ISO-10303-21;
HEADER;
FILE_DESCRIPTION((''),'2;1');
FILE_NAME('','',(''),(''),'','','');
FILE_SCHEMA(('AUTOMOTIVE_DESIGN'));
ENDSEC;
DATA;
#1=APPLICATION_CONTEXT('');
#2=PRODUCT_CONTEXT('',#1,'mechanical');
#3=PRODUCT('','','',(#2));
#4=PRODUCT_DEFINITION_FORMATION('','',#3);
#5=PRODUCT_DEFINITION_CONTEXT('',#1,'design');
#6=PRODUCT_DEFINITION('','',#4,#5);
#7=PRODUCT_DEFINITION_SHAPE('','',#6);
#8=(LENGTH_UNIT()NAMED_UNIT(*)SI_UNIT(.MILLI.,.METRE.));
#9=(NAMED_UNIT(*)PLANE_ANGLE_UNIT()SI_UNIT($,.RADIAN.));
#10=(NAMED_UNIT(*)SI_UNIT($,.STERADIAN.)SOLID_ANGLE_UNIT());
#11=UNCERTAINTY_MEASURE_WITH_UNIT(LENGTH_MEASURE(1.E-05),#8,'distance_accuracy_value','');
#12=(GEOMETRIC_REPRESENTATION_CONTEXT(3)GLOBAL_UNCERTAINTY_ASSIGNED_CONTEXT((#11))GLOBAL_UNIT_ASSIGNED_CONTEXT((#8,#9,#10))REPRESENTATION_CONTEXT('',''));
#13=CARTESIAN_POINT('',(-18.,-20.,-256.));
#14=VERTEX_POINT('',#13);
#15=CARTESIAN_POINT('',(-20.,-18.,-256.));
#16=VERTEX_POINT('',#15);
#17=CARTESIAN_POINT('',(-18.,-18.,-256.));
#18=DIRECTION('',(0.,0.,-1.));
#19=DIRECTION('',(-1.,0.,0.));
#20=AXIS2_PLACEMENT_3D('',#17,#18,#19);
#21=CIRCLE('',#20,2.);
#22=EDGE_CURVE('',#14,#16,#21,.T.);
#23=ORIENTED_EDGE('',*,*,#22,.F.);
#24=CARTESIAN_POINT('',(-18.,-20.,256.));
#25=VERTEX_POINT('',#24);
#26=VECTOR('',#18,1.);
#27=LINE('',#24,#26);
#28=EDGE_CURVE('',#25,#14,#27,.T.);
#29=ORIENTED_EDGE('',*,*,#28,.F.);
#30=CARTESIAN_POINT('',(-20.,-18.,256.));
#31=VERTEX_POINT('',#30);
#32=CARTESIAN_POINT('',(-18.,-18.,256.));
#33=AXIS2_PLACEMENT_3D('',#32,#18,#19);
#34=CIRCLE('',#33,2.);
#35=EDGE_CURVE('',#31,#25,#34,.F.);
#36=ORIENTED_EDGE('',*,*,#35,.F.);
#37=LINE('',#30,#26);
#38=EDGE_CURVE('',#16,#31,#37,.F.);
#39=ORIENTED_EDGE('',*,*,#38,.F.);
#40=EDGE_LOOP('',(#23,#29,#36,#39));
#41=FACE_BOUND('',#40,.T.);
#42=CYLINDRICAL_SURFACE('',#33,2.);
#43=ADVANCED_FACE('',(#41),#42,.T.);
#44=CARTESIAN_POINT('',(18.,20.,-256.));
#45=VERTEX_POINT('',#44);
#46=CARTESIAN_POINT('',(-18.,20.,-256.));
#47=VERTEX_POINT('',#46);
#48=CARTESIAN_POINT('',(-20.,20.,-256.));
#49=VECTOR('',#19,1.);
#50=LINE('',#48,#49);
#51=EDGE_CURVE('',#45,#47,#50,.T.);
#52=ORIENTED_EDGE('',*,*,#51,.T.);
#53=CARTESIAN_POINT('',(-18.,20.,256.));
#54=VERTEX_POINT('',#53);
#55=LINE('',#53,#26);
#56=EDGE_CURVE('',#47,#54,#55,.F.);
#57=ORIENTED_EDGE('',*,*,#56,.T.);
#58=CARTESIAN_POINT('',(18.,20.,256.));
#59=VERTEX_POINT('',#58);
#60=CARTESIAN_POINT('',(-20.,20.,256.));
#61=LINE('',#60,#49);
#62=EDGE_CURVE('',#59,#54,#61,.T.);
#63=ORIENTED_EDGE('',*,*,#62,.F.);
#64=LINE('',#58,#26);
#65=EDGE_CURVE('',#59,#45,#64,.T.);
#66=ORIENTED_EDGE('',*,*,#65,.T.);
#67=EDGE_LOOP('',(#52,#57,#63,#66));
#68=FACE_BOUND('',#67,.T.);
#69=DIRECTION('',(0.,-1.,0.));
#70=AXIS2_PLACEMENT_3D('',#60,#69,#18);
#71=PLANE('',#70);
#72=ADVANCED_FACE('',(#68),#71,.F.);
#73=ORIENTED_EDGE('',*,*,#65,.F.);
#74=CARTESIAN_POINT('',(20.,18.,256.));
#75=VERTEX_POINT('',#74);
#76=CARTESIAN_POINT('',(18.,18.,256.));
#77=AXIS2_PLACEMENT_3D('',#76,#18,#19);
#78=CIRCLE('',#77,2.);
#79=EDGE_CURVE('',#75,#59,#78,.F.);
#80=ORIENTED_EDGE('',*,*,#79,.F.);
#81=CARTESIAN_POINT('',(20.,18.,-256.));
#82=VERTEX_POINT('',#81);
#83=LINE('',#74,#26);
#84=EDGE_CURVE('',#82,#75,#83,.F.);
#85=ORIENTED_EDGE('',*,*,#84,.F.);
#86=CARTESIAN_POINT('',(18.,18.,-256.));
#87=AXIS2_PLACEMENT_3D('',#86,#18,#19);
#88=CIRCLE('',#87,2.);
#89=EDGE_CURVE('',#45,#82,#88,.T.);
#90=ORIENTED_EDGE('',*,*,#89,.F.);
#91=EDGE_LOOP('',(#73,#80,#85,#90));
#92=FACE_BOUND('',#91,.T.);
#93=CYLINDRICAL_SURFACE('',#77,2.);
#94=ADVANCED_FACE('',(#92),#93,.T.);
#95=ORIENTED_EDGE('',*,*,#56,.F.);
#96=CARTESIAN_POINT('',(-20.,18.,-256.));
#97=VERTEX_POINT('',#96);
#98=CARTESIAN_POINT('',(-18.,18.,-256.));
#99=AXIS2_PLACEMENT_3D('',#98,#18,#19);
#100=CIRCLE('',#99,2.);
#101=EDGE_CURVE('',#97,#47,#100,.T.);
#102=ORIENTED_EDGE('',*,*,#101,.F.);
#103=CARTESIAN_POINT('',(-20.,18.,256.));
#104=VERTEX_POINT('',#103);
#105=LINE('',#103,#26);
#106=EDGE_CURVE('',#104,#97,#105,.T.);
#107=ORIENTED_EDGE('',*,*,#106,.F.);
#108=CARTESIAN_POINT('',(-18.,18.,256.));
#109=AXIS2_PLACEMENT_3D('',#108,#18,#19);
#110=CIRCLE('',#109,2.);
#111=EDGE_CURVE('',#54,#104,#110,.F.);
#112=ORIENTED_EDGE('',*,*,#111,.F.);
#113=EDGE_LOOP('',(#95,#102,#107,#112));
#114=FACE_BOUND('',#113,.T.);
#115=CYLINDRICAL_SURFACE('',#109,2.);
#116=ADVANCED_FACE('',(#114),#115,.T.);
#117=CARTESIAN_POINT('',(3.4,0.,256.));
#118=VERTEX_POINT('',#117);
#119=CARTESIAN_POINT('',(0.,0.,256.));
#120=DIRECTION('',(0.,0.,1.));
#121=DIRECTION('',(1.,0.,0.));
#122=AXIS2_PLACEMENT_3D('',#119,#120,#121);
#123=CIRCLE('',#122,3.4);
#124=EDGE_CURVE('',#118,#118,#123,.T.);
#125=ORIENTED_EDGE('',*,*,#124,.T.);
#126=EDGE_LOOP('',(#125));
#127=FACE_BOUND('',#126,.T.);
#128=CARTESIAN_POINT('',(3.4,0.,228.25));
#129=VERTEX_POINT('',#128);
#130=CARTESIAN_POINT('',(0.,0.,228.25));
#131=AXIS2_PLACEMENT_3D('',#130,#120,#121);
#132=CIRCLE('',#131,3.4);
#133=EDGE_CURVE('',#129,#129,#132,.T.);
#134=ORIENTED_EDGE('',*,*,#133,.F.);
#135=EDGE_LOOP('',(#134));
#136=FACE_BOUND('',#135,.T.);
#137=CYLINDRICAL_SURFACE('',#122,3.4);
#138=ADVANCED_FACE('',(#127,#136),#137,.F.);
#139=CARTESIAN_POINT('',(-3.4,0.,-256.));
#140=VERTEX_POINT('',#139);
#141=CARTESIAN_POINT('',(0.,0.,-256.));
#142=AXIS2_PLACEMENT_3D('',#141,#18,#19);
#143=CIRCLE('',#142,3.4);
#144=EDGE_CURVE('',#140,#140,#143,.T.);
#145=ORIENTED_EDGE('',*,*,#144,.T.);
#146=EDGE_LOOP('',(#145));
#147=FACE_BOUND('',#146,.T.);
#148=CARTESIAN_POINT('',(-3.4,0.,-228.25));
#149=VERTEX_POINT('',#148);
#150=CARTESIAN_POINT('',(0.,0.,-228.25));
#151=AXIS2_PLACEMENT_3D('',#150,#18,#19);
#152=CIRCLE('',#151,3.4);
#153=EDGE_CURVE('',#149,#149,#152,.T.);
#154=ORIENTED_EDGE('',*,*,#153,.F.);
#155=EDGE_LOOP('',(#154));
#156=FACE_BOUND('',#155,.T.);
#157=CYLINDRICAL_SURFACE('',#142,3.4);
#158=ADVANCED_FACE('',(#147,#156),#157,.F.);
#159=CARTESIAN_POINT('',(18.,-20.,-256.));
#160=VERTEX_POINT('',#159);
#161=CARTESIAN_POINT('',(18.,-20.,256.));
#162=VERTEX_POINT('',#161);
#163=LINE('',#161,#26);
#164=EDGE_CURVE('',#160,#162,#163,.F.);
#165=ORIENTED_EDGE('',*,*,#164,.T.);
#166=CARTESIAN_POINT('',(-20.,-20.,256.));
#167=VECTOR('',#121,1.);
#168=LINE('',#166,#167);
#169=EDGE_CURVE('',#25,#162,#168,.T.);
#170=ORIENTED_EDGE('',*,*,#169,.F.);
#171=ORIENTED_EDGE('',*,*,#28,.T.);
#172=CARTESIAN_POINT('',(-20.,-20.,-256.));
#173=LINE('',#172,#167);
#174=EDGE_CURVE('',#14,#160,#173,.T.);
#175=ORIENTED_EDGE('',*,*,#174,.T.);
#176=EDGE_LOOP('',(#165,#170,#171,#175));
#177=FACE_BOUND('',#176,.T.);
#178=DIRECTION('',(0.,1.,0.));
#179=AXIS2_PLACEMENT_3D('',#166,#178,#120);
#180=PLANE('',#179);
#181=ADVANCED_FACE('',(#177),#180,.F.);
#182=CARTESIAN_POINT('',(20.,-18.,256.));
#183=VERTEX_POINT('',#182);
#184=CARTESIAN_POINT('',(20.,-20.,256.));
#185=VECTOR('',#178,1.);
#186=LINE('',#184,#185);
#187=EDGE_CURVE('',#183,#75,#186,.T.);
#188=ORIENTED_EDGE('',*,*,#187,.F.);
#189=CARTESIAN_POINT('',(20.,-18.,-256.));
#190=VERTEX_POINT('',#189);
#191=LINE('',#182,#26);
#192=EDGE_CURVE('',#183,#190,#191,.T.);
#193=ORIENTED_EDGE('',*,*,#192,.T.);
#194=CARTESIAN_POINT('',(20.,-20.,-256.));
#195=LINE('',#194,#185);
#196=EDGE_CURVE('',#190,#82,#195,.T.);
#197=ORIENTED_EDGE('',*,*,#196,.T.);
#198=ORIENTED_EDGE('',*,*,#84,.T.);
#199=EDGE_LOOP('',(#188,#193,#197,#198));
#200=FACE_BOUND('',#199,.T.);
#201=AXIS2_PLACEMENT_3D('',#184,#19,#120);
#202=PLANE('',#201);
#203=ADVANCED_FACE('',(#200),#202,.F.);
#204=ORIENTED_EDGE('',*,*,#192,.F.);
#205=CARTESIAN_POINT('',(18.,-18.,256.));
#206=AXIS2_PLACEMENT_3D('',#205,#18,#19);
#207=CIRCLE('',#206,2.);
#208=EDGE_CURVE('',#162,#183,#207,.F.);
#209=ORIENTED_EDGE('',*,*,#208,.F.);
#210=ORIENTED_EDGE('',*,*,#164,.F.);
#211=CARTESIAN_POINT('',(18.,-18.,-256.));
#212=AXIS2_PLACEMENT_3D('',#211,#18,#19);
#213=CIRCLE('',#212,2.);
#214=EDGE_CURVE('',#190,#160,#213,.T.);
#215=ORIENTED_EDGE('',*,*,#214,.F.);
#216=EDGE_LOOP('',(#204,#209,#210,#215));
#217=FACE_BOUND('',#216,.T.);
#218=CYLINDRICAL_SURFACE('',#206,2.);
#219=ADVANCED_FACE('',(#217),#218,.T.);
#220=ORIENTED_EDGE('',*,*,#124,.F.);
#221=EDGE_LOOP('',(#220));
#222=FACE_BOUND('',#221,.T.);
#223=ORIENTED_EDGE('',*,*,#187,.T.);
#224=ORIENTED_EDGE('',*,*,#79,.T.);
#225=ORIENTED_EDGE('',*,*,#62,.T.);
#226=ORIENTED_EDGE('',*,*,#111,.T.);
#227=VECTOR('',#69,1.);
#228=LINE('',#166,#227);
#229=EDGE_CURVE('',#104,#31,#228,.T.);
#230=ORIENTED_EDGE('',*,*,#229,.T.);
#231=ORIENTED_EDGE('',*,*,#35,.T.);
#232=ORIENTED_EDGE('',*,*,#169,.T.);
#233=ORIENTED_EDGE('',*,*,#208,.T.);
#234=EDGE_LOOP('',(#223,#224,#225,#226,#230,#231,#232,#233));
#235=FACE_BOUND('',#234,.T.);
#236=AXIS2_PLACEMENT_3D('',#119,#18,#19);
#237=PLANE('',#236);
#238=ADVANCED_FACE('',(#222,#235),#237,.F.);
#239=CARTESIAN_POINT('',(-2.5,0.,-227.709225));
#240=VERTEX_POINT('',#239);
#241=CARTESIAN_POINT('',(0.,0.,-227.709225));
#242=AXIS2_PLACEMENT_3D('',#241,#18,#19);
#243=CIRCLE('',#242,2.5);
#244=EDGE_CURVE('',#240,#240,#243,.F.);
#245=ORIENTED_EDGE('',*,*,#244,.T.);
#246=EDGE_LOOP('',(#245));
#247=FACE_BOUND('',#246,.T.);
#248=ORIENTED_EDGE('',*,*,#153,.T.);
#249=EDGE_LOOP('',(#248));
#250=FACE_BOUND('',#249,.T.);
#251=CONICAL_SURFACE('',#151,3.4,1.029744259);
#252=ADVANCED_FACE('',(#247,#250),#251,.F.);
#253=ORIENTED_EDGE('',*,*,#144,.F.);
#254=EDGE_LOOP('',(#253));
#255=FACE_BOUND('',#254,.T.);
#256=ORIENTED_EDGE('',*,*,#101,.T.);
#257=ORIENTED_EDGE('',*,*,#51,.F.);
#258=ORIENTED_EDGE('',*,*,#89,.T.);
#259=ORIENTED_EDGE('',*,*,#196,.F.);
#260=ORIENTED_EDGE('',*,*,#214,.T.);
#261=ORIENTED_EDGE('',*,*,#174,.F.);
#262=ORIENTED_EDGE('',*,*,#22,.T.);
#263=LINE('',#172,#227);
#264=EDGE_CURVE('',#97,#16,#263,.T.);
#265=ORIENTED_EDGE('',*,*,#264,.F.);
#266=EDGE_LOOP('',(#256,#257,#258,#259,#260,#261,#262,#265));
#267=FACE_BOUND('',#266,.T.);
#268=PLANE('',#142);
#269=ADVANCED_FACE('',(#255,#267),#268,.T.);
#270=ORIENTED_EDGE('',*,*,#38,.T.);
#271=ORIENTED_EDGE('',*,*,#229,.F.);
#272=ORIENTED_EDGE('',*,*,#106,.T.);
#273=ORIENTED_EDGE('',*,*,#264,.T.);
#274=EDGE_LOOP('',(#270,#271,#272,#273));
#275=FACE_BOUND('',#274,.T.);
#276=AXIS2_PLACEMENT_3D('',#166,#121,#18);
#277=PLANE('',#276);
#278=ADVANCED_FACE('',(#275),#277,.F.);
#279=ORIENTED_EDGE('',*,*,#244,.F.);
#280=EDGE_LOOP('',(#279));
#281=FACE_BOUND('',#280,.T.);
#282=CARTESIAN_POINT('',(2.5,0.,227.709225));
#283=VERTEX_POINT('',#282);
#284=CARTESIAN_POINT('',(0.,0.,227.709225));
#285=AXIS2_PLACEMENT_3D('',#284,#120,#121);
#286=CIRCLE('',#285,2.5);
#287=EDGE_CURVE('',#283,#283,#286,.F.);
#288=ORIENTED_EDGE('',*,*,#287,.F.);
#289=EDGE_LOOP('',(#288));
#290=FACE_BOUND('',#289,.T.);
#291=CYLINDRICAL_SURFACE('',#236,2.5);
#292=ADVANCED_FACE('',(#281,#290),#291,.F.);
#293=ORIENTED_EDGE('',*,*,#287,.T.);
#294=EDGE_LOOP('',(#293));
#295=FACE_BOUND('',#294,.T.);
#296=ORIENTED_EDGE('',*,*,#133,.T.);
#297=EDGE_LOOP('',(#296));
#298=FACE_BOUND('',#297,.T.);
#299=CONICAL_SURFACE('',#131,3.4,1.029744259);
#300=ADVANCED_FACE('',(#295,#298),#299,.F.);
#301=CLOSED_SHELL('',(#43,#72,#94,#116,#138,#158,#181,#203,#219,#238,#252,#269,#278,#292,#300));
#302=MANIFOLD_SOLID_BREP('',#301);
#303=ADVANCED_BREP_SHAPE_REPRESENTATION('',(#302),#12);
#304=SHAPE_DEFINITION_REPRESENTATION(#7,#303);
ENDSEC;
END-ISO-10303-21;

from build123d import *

# Parameters (mm, degrees)
SKETCH1_W           = 40
SKETCH1_H           = 40
SKETCH1_R           = 2.5
BOSS_EXTRUDE1_DEPTH = 256
FILLET1_R           = 2


with BuildPart() as part:
    # Sketch1 → Boss-Extrude1 (new, symmetric)
    with BuildSketch(Plane.XY):
        Rectangle(SKETCH1_W, SKETCH1_H)
        Circle(SKETCH1_R, mode=Mode.SUBTRACT)
    extrude(amount=BOSS_EXTRUDE1_DEPTH, both=True)

    # Fillet1
    fillet1_edges = [part.edges().sort_by_distance(p)[0] for p in [
        (20, -20, 0),
        (-20, -20, 0),
        (-20, 20, 0),
        (20, 20, 0),
    ]]
    fillet(fillet1_edges, radius=FILLET1_R)

    # Sketch9 → M8 Tapped Hole1 (revolve, cut)
    with BuildSketch(Plane(origin=(0, 0, 256), x_dir=(0, -1, 0), z_dir=(1, 0, 0))):
        Polygon((0, 0), (0, 29.792926105), (3.4, 27.75), (3.4, 0), align=None)
    m8_tapped_hole1 = revolve(axis=Axis((0, 0, 262.35), (0, 0, -1)), mode=Mode.SUBTRACT)

    # Mirror1: M8 Tapped Hole1 across plane
    add(m8_tapped_hole1.mirror(Plane.XY), mode=Mode.SUBTRACT)


solid = part.part
